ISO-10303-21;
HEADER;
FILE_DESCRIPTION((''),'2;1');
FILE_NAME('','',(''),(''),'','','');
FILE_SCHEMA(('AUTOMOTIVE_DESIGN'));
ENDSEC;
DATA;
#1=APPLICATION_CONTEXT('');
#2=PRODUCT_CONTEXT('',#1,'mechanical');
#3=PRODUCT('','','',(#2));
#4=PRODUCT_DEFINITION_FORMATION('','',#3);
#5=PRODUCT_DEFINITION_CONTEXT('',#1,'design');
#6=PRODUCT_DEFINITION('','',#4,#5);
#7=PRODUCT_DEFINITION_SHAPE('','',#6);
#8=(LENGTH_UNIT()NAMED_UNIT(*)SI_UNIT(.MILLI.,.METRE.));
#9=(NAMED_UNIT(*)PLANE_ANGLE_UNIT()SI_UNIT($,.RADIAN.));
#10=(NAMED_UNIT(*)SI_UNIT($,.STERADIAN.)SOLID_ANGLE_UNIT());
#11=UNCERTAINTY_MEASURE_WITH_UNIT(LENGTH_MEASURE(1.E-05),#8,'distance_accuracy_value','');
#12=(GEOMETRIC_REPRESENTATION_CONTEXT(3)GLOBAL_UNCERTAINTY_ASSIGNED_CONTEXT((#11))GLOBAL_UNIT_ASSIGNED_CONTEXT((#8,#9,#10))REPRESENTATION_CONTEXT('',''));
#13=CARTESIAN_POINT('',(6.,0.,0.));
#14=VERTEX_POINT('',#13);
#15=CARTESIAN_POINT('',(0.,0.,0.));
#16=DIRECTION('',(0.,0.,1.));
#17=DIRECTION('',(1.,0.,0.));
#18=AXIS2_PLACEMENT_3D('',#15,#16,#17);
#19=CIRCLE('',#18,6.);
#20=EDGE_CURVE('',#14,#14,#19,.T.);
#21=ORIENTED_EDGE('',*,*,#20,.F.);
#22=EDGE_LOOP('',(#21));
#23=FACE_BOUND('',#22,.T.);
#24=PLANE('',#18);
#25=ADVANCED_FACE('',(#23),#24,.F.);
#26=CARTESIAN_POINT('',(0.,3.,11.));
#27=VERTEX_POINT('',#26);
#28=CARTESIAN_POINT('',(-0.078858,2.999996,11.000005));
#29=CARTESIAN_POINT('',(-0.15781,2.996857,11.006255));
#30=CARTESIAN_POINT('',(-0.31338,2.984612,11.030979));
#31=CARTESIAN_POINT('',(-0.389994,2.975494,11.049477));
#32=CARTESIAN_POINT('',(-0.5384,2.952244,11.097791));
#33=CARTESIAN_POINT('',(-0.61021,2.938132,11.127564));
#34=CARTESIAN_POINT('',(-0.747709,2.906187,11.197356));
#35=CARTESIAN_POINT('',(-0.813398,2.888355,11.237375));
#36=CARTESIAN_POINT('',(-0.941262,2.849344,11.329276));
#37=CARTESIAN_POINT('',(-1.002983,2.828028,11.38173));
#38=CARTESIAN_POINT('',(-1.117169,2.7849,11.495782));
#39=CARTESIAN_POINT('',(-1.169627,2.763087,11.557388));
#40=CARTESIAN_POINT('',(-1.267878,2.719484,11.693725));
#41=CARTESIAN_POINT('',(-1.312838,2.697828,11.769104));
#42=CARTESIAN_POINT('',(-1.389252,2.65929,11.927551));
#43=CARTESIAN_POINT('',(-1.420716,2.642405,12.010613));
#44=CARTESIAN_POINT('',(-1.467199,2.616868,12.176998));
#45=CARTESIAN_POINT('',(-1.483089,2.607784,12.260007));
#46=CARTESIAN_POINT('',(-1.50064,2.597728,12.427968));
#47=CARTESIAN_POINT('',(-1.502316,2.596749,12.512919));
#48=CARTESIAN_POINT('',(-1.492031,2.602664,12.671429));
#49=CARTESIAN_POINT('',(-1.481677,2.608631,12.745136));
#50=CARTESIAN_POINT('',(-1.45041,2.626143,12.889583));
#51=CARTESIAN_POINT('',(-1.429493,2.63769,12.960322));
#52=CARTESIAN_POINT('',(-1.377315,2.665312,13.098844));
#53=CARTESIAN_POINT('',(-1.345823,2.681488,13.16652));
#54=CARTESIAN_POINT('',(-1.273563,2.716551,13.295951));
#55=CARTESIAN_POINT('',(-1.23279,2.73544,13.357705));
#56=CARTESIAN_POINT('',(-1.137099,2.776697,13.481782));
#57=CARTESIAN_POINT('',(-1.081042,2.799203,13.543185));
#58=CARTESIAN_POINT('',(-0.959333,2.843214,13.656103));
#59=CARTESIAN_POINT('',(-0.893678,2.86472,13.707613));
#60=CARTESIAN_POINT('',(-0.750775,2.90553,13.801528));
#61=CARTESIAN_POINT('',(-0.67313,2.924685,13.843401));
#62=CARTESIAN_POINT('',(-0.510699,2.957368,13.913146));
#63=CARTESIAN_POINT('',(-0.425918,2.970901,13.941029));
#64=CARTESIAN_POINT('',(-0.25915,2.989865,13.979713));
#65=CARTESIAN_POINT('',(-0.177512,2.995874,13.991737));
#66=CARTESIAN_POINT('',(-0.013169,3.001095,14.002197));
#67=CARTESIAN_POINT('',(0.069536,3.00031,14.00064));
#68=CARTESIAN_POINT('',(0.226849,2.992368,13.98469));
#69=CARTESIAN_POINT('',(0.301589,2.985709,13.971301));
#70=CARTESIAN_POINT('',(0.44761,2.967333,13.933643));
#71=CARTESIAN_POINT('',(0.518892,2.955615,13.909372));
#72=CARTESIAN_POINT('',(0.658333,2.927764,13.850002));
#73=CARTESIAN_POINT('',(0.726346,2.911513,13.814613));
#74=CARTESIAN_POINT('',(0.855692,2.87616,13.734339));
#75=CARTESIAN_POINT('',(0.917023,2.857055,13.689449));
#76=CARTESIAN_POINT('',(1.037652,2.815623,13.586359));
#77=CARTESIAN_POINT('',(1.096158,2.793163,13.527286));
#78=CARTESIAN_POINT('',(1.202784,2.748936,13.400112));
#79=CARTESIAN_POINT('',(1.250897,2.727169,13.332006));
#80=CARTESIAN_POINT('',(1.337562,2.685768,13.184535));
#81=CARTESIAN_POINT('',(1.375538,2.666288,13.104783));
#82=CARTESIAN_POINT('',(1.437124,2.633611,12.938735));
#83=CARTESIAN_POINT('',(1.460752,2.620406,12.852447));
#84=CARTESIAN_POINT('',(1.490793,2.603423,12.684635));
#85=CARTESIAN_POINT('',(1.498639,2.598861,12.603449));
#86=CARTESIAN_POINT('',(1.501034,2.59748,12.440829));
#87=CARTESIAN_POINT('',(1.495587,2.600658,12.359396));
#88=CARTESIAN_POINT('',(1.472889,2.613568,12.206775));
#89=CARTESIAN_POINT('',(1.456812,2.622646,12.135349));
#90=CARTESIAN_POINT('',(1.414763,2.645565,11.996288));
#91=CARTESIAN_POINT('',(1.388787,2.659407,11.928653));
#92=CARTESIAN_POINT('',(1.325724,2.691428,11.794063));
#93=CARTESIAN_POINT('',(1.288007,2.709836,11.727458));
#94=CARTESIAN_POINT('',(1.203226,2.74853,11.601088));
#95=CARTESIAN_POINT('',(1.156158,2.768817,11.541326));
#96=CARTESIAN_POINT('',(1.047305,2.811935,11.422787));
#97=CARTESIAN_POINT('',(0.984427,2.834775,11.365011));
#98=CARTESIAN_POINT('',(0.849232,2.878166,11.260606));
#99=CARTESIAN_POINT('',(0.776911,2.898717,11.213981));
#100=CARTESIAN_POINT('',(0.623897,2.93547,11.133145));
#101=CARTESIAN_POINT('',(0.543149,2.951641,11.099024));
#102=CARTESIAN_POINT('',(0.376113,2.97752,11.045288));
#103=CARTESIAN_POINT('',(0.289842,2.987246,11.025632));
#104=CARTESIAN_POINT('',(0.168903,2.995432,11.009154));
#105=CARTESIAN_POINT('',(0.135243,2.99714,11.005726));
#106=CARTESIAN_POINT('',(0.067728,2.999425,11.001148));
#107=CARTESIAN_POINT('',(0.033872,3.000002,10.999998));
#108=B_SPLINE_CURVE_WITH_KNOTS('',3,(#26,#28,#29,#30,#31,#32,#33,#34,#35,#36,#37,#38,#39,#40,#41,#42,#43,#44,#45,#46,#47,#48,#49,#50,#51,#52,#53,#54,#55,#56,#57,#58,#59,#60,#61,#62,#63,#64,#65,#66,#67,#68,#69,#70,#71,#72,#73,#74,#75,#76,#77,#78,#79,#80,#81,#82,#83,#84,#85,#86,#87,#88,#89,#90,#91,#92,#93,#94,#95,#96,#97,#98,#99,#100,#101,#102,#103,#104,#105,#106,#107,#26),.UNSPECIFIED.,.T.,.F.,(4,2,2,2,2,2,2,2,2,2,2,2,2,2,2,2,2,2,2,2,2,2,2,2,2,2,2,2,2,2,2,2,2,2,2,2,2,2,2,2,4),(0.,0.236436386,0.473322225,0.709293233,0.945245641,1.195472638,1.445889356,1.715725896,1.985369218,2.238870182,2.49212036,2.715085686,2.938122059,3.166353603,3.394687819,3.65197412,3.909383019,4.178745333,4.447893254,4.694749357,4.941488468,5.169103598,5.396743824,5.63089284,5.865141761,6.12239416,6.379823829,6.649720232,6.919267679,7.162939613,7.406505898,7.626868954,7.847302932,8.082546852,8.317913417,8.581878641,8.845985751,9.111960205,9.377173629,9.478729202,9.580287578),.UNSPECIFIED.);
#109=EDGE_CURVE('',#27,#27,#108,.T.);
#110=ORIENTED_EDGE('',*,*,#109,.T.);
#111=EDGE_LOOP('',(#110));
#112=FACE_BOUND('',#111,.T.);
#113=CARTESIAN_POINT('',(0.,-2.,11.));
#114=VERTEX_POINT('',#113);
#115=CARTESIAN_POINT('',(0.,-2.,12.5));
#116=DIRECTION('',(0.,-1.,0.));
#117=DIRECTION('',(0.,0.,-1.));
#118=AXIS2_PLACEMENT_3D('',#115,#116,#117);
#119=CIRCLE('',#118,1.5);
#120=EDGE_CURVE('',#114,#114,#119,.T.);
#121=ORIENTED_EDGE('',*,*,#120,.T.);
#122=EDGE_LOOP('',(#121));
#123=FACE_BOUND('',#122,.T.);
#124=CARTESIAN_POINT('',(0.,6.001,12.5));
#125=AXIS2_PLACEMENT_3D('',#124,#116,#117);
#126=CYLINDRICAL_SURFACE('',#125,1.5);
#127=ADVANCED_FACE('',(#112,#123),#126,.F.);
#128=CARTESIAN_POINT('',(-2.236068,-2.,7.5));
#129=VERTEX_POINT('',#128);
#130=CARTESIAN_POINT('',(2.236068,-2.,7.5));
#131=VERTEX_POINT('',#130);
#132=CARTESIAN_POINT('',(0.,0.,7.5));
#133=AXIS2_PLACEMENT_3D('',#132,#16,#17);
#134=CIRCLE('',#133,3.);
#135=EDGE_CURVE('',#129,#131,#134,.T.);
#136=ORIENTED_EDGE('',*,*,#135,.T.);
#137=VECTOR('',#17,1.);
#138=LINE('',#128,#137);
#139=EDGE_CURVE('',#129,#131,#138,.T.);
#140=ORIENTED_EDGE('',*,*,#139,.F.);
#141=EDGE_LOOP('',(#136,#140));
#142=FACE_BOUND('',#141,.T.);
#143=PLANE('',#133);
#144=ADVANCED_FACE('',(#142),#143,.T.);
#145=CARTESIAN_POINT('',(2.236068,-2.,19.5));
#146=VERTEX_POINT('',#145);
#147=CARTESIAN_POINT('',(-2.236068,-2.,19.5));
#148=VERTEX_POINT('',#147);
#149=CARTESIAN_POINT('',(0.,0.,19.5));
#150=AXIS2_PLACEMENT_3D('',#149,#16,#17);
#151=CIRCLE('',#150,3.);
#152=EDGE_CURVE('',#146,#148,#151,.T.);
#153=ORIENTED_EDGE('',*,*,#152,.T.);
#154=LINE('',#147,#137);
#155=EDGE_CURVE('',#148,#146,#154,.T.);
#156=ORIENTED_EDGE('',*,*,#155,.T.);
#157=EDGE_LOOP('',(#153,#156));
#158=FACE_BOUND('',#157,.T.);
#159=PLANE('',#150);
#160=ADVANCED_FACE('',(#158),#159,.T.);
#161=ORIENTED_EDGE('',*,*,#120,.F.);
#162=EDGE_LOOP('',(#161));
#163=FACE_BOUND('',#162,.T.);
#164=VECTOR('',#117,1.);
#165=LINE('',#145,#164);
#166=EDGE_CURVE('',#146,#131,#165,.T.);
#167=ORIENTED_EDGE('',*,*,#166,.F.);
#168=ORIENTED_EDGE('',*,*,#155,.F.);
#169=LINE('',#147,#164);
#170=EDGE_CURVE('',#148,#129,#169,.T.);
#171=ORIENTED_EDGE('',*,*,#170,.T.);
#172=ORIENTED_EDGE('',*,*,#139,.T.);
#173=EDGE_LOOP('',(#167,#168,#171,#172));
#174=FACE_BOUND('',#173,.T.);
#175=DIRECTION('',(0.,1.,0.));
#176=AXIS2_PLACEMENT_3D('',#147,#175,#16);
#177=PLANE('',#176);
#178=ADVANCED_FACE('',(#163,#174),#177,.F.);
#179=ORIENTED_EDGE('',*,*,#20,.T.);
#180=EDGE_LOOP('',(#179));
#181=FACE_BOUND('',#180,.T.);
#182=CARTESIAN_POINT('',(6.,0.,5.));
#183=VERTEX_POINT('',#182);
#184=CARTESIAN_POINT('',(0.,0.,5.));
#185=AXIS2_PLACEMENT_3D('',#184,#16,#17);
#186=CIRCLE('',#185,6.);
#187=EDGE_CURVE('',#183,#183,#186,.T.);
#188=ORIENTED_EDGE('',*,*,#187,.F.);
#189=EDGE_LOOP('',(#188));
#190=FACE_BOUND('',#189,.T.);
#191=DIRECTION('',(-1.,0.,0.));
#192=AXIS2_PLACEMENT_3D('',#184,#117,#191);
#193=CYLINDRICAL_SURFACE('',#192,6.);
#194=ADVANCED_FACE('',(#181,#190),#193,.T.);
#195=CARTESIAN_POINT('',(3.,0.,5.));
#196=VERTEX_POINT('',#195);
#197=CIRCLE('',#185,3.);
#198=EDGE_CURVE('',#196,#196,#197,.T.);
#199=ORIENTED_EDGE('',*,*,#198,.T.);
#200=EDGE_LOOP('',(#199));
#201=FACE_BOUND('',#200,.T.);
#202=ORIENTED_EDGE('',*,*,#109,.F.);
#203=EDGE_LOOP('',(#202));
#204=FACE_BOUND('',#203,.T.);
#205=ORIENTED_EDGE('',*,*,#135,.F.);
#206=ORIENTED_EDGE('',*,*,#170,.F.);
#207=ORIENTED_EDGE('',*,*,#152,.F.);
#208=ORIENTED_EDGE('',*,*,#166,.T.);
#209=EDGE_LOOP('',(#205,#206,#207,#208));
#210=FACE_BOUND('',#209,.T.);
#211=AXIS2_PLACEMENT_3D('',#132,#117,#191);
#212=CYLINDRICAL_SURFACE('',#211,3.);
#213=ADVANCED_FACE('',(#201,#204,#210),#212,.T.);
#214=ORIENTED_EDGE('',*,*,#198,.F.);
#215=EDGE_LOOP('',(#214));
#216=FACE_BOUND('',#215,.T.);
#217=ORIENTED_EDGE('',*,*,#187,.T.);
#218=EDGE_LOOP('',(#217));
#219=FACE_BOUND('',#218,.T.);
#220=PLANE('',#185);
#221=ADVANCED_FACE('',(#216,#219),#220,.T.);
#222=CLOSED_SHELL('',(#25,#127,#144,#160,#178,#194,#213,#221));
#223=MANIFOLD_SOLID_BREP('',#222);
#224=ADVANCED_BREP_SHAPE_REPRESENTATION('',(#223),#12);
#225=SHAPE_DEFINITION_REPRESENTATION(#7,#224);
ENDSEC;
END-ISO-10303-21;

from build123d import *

# Parameters (mm, degrees)
SKETCH1_R               = 6
BOSS_EXTRUDE1_DEPTH     = 5
SKETCH2_R               = 3
BOSS_EXTRUDE2_DEPTH     = 2.5
BOSS_EXTRUDE3_DEPTH     = 12
CUT_EXTRUDE1_REACH      = 23.915
CUT_EXTRUDE1_END_RADIUS = 3
SKETCH4_R               = 1.5


with BuildPart() as part:
    # Sketch1 → Boss-Extrude1 (new body)
    with BuildSketch(Plane.XY):
        Circle(SKETCH1_R)
    extrude(amount=BOSS_EXTRUDE1_DEPTH)

    # Sketch2 → Boss-Extrude2 (add)
    with BuildSketch(Plane.XY.offset(5)):
        Circle(SKETCH2_R)
    extrude(amount=BOSS_EXTRUDE2_DEPTH)

    # Sketch3 → Boss-Extrude3 (add)
    with BuildSketch(Plane.XY.offset(7.5)):
        with BuildLine():
            Line((-2.236067977, -2), (2.236067977, -2))
            ThreePointArc((2.236067977, -2), (0, 3), (-2.236067977, -2))
        make_face()
    extrude(amount=BOSS_EXTRUDE3_DEPTH)

    # Cut-Extrude1: up to this cylinder (the profile starts inside it)
    cut_extrude1_end = Plane(origin=(0, 0, 12.5), z_dir=(0, 0, -1)) * Cylinder(CUT_EXTRUDE1_END_RADIUS, 54.83, mode=Mode.PRIVATE)
    # Sketch4 → Cut-Extrude1 (cut, up to the surface)
    with BuildSketch(Plane.XZ.offset(2), mode=Mode.PRIVATE) as cut_extrude1_sk1:
        with Locations(Location((0, 12.5, 0), (0, 0, 270))):
            Circle(SKETCH4_R)
    cut_extrude1_tool1 = extrude(cut_extrude1_sk1.sketch, amount=-CUT_EXTRUDE1_REACH, mode=Mode.PRIVATE) & cut_extrude1_end
    add(cut_extrude1_tool1.solids().sort_by_distance((0, -2, 12.5))[0], mode=Mode.SUBTRACT)


solid = part.part
